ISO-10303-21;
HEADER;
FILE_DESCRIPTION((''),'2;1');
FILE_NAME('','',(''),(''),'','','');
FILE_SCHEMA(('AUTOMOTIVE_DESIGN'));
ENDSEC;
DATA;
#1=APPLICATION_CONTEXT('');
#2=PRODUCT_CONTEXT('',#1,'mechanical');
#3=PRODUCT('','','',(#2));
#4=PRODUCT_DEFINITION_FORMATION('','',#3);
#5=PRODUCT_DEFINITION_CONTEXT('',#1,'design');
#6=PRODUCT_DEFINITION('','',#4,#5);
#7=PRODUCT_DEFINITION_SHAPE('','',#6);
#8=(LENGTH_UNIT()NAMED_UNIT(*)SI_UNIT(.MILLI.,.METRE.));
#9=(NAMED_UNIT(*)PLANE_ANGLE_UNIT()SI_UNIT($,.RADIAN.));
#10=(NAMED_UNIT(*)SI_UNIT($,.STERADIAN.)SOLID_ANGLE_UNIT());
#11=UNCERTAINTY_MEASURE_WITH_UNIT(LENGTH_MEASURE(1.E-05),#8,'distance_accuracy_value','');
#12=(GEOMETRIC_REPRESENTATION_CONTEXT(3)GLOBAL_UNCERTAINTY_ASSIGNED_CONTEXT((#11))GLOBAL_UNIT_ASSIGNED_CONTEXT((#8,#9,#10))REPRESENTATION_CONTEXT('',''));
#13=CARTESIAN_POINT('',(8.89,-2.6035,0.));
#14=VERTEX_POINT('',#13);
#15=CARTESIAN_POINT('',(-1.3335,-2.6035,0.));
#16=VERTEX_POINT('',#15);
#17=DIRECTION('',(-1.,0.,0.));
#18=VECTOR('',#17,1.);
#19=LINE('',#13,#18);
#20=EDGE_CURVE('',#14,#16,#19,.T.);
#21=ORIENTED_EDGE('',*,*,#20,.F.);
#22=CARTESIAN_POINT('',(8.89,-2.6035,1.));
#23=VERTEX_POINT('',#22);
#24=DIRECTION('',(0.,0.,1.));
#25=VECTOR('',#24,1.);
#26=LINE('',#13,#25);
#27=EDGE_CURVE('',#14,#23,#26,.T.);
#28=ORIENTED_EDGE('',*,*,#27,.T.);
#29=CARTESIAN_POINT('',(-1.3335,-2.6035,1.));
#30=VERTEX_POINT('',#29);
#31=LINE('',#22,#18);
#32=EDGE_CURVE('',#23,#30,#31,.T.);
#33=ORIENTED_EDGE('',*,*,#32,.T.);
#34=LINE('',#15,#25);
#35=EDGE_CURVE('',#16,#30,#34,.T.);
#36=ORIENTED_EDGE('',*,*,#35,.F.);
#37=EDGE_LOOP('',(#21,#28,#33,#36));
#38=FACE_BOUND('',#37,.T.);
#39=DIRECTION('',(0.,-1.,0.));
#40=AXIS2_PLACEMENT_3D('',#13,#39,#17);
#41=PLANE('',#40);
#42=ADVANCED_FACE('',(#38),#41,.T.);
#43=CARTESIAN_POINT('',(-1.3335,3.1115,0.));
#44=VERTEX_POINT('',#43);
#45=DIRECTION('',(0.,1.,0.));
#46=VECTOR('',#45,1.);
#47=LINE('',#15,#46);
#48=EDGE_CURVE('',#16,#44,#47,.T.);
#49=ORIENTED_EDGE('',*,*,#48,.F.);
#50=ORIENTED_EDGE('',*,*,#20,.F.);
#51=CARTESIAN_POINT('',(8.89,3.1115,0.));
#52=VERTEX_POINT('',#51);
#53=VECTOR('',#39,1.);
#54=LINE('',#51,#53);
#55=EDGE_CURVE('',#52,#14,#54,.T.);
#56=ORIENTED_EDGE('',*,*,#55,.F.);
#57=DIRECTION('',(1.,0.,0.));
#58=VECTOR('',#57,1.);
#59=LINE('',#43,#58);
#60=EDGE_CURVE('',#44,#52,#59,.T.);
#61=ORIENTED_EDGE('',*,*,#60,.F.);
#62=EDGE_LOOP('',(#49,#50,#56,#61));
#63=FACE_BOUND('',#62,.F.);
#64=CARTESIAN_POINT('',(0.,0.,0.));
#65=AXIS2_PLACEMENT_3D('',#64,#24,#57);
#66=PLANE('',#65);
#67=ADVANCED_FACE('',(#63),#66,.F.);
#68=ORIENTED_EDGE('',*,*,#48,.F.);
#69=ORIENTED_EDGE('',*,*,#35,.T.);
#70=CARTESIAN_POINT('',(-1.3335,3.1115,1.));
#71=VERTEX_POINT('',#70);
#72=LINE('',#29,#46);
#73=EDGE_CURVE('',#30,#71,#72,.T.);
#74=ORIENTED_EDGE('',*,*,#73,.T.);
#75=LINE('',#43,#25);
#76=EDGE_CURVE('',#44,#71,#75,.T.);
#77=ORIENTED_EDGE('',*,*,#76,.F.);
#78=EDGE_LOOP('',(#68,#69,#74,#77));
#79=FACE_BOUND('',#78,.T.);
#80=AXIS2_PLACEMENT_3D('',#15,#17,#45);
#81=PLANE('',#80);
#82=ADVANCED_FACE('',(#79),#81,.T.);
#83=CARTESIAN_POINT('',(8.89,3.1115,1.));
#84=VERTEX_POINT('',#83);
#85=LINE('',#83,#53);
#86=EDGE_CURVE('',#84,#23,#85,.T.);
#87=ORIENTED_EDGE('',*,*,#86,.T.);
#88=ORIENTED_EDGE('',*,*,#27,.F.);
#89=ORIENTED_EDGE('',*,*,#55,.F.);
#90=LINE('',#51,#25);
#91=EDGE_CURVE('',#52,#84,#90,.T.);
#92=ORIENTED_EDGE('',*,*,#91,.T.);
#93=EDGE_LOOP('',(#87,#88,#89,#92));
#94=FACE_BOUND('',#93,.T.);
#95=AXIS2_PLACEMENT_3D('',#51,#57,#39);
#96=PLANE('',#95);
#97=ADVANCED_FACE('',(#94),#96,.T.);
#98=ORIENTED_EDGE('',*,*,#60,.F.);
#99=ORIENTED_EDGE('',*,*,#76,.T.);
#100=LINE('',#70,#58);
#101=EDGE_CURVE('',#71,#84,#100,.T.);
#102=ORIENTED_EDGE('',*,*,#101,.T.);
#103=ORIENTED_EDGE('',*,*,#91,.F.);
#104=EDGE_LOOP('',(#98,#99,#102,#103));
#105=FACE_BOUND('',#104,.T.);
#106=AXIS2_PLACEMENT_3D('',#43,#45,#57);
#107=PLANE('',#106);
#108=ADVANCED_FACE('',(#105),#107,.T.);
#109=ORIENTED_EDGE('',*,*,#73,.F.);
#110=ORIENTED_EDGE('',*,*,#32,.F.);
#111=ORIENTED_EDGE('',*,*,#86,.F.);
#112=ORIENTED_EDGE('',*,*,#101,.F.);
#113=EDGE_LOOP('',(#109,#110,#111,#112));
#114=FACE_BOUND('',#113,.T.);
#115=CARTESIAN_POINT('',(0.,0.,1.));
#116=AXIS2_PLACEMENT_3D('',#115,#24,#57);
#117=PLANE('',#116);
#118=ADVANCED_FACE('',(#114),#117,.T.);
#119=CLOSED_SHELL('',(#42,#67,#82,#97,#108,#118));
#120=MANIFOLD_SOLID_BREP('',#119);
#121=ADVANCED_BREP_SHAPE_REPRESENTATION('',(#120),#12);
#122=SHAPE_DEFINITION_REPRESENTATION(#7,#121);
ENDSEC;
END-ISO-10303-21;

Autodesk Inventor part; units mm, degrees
ref_plane "YZ Plane" through (0, 0, 0) normal (1, 0, 0) x (0, 1, 0)
ref_plane "XZ Plane" through (0, 0, 0) normal (0, 1, 0) x (-1, 0, 0)
ref_plane "XY Plane" through (0, 0, 0) normal (0, 0, 1) x (1, 0, 0)
sketch "MOLEX-1X4, SERIAL_MOLEX-1X4_3" plane through (0, 0, 0) normal (0, 0, 1) x (1, 0, 0)
  line L0 (-1.3335, 3.1115) -> (8.89, 3.1115)
  line L1 (8.89, 3.1115) -> (8.89, -2.6035)
  line L2 (8.89, -2.6035) -> (-1.3335, -2.6035)
  line L3 (-1.3335, -2.6035) -> (-1.3335, 3.1115)
extrude "Extrusion1" add sketch "MOLEX-1X4, SERIAL_MOLEX-1X4_3" along normal blind 1
properties part number "SERIAL_MOLEX-1X4"
